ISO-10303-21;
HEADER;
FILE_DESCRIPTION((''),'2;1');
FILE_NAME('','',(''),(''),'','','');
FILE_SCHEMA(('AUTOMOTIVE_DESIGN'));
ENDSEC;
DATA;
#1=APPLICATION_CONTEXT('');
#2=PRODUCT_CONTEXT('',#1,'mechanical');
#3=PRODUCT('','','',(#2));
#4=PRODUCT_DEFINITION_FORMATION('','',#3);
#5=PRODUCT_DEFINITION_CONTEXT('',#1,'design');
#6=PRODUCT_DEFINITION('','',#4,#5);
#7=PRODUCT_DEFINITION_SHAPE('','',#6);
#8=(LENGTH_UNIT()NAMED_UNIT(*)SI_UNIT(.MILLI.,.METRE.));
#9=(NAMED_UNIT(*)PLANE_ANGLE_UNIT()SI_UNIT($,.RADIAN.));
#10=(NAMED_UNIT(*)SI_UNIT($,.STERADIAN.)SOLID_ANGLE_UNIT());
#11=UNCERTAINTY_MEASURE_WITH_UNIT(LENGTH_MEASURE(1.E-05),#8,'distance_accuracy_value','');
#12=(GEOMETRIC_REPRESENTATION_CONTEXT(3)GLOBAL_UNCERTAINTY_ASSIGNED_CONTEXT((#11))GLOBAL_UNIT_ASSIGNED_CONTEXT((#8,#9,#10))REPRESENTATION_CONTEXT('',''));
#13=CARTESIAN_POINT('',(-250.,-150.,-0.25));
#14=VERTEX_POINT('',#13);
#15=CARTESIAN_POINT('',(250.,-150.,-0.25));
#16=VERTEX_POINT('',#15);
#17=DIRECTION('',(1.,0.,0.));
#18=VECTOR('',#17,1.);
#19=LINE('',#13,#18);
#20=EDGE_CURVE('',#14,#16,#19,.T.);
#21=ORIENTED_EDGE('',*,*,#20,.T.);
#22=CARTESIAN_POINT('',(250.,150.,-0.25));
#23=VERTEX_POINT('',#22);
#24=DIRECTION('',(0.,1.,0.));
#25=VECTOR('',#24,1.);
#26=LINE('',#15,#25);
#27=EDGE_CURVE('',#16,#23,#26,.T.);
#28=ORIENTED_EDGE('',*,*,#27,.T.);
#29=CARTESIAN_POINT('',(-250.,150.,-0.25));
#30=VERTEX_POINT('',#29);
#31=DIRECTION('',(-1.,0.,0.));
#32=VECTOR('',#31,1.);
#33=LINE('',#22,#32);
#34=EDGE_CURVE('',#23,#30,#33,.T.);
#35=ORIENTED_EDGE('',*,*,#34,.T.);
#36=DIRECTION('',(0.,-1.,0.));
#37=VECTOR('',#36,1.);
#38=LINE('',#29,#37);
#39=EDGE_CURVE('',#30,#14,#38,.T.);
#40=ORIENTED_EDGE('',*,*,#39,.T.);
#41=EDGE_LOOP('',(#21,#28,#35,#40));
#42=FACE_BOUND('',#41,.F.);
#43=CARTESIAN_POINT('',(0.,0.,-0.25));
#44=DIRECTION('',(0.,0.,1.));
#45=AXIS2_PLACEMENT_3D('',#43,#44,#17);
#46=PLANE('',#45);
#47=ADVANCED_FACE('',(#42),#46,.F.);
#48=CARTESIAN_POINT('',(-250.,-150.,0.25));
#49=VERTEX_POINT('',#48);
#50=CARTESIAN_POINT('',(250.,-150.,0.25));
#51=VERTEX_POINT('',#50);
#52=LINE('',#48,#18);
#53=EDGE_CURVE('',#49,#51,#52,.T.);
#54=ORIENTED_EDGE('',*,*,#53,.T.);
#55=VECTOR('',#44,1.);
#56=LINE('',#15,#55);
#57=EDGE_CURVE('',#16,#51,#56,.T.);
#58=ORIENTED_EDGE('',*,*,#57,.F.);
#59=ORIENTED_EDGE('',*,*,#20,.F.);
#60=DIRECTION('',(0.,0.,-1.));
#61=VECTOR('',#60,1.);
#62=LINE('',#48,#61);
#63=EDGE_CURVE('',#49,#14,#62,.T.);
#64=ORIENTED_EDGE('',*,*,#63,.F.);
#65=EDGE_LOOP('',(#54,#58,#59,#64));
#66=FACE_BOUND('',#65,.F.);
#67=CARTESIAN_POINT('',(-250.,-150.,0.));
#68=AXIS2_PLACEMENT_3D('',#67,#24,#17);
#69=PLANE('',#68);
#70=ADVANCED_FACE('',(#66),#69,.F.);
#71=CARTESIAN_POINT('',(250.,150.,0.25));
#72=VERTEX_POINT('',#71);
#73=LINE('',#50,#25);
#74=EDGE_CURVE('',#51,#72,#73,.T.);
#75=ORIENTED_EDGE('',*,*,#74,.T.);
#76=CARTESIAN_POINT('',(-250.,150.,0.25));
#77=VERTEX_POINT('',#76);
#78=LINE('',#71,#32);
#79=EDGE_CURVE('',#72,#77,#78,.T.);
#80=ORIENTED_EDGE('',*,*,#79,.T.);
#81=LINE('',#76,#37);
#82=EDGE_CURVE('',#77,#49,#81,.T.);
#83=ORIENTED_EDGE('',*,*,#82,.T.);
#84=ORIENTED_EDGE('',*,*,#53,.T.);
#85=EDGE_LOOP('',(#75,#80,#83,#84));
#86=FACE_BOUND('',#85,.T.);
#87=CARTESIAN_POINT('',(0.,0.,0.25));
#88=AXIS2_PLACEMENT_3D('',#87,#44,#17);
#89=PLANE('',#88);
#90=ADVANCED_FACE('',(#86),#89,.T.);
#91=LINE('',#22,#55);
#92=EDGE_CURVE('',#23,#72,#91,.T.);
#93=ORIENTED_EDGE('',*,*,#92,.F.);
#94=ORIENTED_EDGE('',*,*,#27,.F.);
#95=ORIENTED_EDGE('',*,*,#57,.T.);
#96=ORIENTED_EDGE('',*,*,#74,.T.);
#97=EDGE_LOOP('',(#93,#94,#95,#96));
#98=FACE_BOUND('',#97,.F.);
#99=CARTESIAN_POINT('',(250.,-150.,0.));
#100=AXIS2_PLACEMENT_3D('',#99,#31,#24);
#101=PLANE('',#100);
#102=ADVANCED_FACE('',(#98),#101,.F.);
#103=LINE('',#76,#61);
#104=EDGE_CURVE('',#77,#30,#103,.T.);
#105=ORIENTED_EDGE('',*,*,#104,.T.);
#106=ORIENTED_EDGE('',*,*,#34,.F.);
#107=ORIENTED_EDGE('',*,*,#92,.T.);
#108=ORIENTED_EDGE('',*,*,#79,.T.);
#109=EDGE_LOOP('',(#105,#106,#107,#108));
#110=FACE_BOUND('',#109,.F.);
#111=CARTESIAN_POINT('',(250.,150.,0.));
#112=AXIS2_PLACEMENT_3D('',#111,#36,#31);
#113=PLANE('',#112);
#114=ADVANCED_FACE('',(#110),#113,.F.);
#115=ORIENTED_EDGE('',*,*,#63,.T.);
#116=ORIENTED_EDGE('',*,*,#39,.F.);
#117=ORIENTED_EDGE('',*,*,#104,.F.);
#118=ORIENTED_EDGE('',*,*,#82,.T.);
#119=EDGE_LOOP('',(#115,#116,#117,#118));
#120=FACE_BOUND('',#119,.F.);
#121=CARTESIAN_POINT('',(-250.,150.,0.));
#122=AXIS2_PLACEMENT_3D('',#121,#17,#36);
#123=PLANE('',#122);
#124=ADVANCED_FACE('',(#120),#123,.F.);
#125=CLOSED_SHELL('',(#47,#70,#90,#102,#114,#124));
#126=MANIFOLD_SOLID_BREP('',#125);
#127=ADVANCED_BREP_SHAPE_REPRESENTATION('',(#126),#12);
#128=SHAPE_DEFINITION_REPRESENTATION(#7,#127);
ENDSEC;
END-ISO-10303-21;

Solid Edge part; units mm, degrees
sketch "Sketch1" plane through (0, 0, 0) normal (0, 0, 1) x (1, 0, 0)
  line L0 (-250, -150) -> (250, -150)
  line L1 (250, -150) -> (250, 150)
  line L2 (250, 150) -> (-250, 150)
  line L3 (-250, 150) -> (-250, -150)
extrude "Protrusion1" add sketch "Sketch1" along normal mid plane 0.5
